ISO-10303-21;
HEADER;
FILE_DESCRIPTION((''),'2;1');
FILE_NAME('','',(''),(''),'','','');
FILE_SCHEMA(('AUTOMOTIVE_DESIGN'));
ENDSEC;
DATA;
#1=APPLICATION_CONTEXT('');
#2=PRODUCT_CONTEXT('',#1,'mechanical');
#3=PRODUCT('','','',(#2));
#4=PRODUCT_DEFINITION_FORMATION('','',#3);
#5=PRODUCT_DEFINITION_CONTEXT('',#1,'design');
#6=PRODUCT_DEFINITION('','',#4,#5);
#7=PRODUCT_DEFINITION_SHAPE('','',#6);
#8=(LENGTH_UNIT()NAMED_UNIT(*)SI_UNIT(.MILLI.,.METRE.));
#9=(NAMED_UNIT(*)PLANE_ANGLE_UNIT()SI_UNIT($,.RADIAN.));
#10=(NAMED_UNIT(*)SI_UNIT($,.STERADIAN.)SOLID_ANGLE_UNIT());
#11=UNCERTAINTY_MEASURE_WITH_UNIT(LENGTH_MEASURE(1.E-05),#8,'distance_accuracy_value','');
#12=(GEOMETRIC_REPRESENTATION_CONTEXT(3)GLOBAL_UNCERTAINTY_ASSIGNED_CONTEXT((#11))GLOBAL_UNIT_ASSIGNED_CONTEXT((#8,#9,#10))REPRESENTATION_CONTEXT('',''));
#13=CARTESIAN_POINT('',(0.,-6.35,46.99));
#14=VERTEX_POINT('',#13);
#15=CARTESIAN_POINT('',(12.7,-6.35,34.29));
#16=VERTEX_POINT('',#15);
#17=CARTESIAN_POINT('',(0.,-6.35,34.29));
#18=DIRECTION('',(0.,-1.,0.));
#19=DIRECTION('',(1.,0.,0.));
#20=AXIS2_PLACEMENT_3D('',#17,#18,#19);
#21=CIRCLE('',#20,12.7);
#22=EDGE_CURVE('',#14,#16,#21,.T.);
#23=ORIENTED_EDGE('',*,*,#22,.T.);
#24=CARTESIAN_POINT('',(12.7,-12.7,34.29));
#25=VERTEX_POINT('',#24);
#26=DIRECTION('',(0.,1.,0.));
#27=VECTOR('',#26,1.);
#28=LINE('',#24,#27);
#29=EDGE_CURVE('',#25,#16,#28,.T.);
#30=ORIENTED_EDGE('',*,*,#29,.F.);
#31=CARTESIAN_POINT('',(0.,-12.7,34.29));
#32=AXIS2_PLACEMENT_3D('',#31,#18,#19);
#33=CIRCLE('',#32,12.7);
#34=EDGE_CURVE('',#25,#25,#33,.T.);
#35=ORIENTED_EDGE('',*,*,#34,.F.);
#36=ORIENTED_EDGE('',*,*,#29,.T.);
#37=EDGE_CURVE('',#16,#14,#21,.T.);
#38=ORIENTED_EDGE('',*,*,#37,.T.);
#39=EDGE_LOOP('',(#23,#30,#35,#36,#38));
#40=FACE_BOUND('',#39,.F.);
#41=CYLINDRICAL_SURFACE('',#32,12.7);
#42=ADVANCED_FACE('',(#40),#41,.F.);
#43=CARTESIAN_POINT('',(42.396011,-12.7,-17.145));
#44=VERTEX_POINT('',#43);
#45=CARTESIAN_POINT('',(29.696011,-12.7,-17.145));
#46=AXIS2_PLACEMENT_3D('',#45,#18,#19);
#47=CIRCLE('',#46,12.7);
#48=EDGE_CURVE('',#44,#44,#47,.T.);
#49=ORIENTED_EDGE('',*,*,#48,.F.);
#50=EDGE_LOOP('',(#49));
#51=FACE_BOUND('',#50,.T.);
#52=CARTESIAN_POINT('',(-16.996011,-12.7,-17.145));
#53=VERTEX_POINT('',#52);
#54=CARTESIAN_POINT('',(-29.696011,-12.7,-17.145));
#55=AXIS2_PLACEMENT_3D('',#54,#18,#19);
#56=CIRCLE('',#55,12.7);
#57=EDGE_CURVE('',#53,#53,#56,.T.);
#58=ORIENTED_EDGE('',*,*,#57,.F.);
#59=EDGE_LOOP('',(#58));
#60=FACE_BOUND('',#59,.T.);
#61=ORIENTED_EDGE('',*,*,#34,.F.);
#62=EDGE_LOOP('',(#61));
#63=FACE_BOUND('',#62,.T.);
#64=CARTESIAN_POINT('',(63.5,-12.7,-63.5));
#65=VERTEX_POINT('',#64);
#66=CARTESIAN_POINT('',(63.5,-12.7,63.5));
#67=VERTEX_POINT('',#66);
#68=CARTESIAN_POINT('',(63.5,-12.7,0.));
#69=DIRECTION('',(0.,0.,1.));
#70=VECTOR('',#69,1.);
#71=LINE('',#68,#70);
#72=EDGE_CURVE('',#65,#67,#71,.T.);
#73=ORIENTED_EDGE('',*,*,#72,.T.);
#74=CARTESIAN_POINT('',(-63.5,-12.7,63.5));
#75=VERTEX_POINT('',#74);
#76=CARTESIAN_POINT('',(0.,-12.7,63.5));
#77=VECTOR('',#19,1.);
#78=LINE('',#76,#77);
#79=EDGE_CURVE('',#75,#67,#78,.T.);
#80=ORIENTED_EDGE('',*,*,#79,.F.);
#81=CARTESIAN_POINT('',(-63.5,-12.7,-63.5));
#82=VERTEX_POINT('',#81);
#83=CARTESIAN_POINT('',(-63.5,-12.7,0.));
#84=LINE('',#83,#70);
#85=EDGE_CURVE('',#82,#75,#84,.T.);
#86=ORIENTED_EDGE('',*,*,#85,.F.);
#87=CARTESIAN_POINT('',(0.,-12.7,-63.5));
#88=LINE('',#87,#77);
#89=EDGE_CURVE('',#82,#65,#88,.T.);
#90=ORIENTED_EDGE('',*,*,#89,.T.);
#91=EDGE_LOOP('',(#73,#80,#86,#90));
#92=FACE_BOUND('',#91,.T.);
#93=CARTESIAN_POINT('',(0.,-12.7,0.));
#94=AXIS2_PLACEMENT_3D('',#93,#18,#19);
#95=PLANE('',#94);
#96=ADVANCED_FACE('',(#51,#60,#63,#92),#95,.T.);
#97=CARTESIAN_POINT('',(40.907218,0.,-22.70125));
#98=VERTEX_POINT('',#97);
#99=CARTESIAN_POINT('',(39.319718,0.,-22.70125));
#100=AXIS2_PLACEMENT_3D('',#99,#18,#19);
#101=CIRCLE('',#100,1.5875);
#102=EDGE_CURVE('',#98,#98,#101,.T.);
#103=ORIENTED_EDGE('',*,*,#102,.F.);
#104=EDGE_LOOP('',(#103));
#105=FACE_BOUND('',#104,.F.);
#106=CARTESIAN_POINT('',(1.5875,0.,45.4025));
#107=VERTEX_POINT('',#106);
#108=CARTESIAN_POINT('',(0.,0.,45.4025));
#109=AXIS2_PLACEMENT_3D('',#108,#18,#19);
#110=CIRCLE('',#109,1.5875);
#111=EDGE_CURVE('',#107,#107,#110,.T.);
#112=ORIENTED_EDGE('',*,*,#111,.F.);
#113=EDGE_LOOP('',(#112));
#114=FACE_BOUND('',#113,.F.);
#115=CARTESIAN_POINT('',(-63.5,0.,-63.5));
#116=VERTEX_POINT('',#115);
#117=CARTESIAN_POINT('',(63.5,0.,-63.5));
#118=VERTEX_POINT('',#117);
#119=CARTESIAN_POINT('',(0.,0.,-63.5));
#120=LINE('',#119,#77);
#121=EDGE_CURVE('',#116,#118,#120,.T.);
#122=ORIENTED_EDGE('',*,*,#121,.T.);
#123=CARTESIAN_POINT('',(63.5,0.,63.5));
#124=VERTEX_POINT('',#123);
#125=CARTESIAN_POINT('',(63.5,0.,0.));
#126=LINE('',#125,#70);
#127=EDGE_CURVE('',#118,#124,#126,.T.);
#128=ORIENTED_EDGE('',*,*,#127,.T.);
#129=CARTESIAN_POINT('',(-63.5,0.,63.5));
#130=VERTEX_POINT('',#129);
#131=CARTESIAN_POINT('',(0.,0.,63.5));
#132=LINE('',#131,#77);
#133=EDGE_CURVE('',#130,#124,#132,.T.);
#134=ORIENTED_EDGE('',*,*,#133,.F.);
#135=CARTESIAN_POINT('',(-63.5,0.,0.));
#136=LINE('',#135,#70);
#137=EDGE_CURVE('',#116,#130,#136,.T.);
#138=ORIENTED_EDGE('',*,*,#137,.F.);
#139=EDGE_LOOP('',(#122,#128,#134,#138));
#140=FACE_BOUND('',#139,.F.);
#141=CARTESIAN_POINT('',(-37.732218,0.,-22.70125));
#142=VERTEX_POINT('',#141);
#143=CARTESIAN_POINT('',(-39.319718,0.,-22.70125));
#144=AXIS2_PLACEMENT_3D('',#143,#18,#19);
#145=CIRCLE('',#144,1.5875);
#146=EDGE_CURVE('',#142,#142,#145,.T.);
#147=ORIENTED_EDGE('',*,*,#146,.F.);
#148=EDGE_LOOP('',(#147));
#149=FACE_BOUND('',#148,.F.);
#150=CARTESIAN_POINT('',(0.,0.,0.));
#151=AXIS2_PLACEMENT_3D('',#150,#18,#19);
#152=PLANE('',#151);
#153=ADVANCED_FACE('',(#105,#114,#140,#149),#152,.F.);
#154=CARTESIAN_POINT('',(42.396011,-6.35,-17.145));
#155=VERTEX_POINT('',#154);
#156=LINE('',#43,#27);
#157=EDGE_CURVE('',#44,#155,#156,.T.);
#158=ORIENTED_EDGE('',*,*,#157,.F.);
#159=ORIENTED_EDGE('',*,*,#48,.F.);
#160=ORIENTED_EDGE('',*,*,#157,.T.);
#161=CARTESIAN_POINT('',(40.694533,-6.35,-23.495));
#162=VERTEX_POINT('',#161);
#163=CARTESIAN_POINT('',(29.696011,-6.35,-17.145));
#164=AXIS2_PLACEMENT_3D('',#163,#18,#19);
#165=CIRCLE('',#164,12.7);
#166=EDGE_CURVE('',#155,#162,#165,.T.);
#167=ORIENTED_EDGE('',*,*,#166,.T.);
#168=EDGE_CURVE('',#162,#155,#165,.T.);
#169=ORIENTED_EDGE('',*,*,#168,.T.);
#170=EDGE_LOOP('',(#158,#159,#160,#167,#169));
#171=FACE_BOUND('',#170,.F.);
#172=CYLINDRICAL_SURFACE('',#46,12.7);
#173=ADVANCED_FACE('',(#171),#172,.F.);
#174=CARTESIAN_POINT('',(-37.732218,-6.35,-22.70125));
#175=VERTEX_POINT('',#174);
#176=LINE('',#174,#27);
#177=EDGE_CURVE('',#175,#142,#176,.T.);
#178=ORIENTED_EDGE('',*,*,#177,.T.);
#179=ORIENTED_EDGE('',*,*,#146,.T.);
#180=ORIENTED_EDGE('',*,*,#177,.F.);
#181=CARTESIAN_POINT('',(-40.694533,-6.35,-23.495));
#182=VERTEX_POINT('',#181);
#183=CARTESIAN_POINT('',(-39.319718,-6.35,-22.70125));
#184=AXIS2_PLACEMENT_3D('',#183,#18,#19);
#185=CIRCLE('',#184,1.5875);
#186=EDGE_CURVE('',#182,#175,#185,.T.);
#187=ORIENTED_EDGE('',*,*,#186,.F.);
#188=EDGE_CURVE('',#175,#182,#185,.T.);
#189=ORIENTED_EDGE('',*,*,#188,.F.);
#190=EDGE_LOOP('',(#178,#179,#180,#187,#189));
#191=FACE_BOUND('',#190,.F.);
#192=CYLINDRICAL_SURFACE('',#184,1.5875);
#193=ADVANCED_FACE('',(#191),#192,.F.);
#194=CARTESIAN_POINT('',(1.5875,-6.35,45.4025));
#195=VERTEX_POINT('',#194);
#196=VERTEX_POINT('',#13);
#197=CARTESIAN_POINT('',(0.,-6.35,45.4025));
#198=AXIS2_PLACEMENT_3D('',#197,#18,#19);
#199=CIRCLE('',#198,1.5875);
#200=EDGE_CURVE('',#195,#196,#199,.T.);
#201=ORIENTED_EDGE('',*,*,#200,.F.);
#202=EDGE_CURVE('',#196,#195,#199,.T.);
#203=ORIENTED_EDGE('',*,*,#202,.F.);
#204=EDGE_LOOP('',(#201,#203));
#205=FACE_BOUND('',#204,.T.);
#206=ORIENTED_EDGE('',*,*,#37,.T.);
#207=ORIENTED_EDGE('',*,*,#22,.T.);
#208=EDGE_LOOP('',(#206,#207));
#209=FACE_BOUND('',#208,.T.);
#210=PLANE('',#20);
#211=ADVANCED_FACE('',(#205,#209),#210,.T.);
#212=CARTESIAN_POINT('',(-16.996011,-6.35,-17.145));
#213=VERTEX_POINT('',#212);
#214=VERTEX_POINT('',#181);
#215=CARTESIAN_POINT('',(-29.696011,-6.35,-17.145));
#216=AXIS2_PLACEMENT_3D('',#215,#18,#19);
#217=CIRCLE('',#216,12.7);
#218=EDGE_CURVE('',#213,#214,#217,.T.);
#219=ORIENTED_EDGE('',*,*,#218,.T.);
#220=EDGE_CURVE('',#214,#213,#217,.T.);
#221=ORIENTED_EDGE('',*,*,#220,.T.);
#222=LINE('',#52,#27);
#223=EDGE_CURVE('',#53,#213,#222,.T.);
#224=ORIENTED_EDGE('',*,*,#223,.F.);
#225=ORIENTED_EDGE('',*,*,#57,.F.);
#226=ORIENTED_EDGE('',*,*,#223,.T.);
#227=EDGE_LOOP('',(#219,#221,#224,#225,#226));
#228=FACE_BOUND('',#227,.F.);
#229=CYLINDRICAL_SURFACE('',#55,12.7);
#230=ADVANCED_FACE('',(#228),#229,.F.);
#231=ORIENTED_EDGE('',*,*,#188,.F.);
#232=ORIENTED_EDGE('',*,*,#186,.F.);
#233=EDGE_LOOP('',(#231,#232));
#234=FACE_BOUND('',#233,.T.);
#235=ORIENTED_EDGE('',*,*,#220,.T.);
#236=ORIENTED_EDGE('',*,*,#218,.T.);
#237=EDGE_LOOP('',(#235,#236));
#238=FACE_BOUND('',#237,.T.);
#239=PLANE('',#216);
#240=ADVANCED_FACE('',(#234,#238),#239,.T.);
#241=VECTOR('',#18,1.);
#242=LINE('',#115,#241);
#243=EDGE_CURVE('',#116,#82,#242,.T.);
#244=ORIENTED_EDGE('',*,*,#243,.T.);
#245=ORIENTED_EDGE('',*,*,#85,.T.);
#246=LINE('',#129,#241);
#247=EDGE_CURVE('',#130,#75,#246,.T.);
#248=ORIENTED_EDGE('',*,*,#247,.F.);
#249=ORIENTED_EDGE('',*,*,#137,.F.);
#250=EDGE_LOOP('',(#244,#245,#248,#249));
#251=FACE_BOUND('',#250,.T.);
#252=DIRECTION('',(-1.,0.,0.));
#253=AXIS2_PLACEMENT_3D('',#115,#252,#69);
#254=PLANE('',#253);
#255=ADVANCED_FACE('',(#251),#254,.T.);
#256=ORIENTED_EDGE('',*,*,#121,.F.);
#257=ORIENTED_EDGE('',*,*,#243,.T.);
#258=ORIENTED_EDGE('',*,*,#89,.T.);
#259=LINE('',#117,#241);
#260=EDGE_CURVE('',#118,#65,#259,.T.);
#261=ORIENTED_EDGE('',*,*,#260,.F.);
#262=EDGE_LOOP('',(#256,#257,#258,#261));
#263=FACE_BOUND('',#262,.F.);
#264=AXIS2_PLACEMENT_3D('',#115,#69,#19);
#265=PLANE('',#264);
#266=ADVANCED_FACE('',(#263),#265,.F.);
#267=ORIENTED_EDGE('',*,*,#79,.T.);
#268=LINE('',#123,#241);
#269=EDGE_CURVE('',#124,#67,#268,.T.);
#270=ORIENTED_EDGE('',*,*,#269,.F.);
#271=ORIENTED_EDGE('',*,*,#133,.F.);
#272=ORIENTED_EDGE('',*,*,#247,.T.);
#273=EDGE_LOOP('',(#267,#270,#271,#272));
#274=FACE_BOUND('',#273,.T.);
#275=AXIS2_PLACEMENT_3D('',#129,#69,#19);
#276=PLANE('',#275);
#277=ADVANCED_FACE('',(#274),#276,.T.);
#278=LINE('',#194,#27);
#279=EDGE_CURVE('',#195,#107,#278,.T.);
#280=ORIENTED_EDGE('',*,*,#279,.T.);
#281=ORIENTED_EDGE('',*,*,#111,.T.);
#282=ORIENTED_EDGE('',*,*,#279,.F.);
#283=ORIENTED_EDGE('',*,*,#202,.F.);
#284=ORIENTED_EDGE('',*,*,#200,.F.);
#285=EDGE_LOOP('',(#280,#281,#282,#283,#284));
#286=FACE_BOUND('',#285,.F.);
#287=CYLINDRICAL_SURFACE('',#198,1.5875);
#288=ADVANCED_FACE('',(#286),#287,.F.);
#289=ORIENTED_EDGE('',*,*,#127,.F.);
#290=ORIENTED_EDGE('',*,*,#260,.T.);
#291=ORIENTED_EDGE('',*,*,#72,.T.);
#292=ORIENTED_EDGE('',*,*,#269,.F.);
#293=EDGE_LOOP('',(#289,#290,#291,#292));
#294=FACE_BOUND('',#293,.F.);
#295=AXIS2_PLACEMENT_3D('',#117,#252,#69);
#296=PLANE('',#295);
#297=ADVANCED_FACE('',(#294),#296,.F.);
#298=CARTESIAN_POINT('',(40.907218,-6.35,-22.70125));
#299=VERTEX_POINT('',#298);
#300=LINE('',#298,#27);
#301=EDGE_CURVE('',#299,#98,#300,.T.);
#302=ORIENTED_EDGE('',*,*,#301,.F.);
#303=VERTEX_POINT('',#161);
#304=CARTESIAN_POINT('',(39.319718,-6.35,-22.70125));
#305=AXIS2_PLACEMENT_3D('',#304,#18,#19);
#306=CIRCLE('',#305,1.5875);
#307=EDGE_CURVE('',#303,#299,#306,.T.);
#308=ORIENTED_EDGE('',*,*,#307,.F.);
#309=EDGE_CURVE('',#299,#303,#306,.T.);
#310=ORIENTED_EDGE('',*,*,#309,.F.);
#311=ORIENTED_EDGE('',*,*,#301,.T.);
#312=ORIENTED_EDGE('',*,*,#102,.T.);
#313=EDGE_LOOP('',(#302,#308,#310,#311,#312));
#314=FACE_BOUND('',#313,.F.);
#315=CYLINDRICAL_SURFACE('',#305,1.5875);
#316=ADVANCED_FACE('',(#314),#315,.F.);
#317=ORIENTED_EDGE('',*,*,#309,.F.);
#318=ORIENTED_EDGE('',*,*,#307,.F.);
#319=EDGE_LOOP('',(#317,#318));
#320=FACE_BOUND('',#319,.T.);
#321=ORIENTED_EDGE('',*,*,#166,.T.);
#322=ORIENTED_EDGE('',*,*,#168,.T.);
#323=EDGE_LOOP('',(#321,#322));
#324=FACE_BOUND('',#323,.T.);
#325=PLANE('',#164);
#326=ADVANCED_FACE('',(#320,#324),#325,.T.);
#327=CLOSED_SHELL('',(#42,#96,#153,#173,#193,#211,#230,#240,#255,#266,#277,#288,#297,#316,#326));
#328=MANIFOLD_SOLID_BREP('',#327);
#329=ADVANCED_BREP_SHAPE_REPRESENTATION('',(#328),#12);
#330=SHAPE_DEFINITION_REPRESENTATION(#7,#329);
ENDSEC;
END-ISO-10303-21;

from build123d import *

# Parameters (mm, degrees)
F0_W     = 127
F0_H     = 127
F1_DEPTH = 12.7
F2_R     = 12.7
F3_DEPTH = 6.35
F4_R     = 1.5875
F5_DEPTH = 6.351


with BuildPart() as f1:
    # F0 (on Front) → F1 (new body)
    with BuildSketch(Plane.XZ):
        Rectangle(F0_W, F0_H)
    extrude(amount=F1_DEPTH)

    # F2 (on face) → F3 (cut)
    with BuildSketch(Plane.XZ.offset(12.7)):
        with Locations((0, 34.29)):
            Circle(F2_R)
        with Locations((-29.696011, -17.145)):
            Circle(F2_R)
        with Locations((29.696011, -17.145)):
            Circle(F2_R)
    extrude(amount=-F3_DEPTH, mode=Mode.SUBTRACT)

    # F4 (on face) → F5 (cut, through all)
    with BuildSketch(Plane.XZ.offset(6.35)):
        with Locations((0, 45.4025)):
            Circle(F4_R)
        with Locations((-39.319718, -22.70125)):
            Circle(F4_R)
        with Locations((39.319718, -22.70125)):
            Circle(F4_R)
    extrude(amount=-F5_DEPTH, mode=Mode.SUBTRACT)


solid = f1.part
